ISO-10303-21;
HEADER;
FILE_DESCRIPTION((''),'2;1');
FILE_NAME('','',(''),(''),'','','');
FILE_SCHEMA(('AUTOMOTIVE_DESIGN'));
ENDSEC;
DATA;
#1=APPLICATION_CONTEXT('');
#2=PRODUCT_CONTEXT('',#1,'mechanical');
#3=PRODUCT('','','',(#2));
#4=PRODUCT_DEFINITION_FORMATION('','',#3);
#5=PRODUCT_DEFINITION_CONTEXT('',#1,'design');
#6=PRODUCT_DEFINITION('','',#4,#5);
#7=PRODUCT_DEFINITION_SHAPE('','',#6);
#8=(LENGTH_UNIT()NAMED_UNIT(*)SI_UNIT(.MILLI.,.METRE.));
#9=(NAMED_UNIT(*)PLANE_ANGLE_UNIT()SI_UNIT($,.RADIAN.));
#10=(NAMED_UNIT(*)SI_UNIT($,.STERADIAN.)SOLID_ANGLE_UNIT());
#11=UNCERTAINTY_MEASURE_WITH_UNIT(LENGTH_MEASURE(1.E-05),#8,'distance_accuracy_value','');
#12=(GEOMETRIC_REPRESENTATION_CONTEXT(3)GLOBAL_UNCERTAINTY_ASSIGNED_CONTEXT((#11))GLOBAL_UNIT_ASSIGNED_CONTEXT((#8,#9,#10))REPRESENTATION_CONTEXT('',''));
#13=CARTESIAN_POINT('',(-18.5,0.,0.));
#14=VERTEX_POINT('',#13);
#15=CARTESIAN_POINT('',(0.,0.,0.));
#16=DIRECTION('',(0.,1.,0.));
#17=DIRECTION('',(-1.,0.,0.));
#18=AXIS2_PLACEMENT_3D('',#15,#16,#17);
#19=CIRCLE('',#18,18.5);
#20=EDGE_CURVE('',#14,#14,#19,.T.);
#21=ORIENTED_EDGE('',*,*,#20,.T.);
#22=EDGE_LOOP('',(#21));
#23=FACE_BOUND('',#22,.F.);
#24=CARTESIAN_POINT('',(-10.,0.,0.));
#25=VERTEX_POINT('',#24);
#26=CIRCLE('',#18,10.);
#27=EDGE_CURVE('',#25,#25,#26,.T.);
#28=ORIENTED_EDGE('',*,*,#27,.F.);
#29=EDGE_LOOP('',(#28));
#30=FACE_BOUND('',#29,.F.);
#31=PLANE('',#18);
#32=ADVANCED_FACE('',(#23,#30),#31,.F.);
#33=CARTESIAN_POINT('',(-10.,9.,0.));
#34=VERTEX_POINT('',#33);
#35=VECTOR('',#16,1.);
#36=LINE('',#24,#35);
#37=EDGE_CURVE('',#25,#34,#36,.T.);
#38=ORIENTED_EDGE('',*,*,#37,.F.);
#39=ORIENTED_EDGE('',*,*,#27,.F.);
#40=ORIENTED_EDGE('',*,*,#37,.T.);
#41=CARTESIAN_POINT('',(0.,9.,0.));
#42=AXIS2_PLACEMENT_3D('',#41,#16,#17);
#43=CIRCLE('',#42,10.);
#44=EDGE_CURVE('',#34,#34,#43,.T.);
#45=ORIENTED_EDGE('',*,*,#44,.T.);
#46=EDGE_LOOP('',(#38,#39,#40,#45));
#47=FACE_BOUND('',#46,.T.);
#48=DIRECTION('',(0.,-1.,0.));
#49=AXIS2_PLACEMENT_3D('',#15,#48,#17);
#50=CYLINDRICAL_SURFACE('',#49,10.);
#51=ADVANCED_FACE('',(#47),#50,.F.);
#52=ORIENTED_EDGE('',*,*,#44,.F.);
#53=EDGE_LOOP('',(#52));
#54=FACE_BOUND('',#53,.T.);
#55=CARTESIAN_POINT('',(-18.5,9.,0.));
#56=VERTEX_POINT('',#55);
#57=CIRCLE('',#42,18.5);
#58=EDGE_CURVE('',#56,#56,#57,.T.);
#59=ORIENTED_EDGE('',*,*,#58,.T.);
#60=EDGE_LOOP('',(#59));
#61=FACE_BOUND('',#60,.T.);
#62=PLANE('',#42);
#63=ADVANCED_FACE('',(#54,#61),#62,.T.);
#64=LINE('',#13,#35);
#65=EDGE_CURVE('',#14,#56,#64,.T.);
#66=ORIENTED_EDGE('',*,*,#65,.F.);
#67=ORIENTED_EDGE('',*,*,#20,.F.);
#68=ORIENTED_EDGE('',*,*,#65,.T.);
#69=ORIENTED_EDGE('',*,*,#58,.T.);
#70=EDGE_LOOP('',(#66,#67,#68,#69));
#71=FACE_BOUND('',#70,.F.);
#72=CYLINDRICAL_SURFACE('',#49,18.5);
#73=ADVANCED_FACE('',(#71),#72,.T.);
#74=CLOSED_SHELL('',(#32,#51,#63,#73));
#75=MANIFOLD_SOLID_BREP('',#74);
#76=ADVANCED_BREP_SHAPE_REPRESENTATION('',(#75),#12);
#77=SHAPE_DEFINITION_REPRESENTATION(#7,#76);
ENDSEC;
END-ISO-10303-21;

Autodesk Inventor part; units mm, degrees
ref_plane "YZ Plane" through (0, 0, 0) normal (1, 0, 0) x (0, 1, 0)
ref_plane "XZ Plane" through (0, 0, 0) normal (0, 1, 0) x (-1, 0, 0)
ref_plane "XY Plane" through (0, 0, 0) normal (0, 0, 1) x (1, 0, 0)
sketch "Эскиз1" plane through (0, 0, 0) normal (0, 1, 0) x (-1, 0, 0)
  circle A0 centre (0, 0) radius 10
  circle A1 centre (0, 0) radius 18.5
  dimension "d0" = 20
  dimension "d1" = 37
extrude "Выдавливание1" add sketch "Эскиз1" along normal blind 9
properties part number "подш_ноги"
